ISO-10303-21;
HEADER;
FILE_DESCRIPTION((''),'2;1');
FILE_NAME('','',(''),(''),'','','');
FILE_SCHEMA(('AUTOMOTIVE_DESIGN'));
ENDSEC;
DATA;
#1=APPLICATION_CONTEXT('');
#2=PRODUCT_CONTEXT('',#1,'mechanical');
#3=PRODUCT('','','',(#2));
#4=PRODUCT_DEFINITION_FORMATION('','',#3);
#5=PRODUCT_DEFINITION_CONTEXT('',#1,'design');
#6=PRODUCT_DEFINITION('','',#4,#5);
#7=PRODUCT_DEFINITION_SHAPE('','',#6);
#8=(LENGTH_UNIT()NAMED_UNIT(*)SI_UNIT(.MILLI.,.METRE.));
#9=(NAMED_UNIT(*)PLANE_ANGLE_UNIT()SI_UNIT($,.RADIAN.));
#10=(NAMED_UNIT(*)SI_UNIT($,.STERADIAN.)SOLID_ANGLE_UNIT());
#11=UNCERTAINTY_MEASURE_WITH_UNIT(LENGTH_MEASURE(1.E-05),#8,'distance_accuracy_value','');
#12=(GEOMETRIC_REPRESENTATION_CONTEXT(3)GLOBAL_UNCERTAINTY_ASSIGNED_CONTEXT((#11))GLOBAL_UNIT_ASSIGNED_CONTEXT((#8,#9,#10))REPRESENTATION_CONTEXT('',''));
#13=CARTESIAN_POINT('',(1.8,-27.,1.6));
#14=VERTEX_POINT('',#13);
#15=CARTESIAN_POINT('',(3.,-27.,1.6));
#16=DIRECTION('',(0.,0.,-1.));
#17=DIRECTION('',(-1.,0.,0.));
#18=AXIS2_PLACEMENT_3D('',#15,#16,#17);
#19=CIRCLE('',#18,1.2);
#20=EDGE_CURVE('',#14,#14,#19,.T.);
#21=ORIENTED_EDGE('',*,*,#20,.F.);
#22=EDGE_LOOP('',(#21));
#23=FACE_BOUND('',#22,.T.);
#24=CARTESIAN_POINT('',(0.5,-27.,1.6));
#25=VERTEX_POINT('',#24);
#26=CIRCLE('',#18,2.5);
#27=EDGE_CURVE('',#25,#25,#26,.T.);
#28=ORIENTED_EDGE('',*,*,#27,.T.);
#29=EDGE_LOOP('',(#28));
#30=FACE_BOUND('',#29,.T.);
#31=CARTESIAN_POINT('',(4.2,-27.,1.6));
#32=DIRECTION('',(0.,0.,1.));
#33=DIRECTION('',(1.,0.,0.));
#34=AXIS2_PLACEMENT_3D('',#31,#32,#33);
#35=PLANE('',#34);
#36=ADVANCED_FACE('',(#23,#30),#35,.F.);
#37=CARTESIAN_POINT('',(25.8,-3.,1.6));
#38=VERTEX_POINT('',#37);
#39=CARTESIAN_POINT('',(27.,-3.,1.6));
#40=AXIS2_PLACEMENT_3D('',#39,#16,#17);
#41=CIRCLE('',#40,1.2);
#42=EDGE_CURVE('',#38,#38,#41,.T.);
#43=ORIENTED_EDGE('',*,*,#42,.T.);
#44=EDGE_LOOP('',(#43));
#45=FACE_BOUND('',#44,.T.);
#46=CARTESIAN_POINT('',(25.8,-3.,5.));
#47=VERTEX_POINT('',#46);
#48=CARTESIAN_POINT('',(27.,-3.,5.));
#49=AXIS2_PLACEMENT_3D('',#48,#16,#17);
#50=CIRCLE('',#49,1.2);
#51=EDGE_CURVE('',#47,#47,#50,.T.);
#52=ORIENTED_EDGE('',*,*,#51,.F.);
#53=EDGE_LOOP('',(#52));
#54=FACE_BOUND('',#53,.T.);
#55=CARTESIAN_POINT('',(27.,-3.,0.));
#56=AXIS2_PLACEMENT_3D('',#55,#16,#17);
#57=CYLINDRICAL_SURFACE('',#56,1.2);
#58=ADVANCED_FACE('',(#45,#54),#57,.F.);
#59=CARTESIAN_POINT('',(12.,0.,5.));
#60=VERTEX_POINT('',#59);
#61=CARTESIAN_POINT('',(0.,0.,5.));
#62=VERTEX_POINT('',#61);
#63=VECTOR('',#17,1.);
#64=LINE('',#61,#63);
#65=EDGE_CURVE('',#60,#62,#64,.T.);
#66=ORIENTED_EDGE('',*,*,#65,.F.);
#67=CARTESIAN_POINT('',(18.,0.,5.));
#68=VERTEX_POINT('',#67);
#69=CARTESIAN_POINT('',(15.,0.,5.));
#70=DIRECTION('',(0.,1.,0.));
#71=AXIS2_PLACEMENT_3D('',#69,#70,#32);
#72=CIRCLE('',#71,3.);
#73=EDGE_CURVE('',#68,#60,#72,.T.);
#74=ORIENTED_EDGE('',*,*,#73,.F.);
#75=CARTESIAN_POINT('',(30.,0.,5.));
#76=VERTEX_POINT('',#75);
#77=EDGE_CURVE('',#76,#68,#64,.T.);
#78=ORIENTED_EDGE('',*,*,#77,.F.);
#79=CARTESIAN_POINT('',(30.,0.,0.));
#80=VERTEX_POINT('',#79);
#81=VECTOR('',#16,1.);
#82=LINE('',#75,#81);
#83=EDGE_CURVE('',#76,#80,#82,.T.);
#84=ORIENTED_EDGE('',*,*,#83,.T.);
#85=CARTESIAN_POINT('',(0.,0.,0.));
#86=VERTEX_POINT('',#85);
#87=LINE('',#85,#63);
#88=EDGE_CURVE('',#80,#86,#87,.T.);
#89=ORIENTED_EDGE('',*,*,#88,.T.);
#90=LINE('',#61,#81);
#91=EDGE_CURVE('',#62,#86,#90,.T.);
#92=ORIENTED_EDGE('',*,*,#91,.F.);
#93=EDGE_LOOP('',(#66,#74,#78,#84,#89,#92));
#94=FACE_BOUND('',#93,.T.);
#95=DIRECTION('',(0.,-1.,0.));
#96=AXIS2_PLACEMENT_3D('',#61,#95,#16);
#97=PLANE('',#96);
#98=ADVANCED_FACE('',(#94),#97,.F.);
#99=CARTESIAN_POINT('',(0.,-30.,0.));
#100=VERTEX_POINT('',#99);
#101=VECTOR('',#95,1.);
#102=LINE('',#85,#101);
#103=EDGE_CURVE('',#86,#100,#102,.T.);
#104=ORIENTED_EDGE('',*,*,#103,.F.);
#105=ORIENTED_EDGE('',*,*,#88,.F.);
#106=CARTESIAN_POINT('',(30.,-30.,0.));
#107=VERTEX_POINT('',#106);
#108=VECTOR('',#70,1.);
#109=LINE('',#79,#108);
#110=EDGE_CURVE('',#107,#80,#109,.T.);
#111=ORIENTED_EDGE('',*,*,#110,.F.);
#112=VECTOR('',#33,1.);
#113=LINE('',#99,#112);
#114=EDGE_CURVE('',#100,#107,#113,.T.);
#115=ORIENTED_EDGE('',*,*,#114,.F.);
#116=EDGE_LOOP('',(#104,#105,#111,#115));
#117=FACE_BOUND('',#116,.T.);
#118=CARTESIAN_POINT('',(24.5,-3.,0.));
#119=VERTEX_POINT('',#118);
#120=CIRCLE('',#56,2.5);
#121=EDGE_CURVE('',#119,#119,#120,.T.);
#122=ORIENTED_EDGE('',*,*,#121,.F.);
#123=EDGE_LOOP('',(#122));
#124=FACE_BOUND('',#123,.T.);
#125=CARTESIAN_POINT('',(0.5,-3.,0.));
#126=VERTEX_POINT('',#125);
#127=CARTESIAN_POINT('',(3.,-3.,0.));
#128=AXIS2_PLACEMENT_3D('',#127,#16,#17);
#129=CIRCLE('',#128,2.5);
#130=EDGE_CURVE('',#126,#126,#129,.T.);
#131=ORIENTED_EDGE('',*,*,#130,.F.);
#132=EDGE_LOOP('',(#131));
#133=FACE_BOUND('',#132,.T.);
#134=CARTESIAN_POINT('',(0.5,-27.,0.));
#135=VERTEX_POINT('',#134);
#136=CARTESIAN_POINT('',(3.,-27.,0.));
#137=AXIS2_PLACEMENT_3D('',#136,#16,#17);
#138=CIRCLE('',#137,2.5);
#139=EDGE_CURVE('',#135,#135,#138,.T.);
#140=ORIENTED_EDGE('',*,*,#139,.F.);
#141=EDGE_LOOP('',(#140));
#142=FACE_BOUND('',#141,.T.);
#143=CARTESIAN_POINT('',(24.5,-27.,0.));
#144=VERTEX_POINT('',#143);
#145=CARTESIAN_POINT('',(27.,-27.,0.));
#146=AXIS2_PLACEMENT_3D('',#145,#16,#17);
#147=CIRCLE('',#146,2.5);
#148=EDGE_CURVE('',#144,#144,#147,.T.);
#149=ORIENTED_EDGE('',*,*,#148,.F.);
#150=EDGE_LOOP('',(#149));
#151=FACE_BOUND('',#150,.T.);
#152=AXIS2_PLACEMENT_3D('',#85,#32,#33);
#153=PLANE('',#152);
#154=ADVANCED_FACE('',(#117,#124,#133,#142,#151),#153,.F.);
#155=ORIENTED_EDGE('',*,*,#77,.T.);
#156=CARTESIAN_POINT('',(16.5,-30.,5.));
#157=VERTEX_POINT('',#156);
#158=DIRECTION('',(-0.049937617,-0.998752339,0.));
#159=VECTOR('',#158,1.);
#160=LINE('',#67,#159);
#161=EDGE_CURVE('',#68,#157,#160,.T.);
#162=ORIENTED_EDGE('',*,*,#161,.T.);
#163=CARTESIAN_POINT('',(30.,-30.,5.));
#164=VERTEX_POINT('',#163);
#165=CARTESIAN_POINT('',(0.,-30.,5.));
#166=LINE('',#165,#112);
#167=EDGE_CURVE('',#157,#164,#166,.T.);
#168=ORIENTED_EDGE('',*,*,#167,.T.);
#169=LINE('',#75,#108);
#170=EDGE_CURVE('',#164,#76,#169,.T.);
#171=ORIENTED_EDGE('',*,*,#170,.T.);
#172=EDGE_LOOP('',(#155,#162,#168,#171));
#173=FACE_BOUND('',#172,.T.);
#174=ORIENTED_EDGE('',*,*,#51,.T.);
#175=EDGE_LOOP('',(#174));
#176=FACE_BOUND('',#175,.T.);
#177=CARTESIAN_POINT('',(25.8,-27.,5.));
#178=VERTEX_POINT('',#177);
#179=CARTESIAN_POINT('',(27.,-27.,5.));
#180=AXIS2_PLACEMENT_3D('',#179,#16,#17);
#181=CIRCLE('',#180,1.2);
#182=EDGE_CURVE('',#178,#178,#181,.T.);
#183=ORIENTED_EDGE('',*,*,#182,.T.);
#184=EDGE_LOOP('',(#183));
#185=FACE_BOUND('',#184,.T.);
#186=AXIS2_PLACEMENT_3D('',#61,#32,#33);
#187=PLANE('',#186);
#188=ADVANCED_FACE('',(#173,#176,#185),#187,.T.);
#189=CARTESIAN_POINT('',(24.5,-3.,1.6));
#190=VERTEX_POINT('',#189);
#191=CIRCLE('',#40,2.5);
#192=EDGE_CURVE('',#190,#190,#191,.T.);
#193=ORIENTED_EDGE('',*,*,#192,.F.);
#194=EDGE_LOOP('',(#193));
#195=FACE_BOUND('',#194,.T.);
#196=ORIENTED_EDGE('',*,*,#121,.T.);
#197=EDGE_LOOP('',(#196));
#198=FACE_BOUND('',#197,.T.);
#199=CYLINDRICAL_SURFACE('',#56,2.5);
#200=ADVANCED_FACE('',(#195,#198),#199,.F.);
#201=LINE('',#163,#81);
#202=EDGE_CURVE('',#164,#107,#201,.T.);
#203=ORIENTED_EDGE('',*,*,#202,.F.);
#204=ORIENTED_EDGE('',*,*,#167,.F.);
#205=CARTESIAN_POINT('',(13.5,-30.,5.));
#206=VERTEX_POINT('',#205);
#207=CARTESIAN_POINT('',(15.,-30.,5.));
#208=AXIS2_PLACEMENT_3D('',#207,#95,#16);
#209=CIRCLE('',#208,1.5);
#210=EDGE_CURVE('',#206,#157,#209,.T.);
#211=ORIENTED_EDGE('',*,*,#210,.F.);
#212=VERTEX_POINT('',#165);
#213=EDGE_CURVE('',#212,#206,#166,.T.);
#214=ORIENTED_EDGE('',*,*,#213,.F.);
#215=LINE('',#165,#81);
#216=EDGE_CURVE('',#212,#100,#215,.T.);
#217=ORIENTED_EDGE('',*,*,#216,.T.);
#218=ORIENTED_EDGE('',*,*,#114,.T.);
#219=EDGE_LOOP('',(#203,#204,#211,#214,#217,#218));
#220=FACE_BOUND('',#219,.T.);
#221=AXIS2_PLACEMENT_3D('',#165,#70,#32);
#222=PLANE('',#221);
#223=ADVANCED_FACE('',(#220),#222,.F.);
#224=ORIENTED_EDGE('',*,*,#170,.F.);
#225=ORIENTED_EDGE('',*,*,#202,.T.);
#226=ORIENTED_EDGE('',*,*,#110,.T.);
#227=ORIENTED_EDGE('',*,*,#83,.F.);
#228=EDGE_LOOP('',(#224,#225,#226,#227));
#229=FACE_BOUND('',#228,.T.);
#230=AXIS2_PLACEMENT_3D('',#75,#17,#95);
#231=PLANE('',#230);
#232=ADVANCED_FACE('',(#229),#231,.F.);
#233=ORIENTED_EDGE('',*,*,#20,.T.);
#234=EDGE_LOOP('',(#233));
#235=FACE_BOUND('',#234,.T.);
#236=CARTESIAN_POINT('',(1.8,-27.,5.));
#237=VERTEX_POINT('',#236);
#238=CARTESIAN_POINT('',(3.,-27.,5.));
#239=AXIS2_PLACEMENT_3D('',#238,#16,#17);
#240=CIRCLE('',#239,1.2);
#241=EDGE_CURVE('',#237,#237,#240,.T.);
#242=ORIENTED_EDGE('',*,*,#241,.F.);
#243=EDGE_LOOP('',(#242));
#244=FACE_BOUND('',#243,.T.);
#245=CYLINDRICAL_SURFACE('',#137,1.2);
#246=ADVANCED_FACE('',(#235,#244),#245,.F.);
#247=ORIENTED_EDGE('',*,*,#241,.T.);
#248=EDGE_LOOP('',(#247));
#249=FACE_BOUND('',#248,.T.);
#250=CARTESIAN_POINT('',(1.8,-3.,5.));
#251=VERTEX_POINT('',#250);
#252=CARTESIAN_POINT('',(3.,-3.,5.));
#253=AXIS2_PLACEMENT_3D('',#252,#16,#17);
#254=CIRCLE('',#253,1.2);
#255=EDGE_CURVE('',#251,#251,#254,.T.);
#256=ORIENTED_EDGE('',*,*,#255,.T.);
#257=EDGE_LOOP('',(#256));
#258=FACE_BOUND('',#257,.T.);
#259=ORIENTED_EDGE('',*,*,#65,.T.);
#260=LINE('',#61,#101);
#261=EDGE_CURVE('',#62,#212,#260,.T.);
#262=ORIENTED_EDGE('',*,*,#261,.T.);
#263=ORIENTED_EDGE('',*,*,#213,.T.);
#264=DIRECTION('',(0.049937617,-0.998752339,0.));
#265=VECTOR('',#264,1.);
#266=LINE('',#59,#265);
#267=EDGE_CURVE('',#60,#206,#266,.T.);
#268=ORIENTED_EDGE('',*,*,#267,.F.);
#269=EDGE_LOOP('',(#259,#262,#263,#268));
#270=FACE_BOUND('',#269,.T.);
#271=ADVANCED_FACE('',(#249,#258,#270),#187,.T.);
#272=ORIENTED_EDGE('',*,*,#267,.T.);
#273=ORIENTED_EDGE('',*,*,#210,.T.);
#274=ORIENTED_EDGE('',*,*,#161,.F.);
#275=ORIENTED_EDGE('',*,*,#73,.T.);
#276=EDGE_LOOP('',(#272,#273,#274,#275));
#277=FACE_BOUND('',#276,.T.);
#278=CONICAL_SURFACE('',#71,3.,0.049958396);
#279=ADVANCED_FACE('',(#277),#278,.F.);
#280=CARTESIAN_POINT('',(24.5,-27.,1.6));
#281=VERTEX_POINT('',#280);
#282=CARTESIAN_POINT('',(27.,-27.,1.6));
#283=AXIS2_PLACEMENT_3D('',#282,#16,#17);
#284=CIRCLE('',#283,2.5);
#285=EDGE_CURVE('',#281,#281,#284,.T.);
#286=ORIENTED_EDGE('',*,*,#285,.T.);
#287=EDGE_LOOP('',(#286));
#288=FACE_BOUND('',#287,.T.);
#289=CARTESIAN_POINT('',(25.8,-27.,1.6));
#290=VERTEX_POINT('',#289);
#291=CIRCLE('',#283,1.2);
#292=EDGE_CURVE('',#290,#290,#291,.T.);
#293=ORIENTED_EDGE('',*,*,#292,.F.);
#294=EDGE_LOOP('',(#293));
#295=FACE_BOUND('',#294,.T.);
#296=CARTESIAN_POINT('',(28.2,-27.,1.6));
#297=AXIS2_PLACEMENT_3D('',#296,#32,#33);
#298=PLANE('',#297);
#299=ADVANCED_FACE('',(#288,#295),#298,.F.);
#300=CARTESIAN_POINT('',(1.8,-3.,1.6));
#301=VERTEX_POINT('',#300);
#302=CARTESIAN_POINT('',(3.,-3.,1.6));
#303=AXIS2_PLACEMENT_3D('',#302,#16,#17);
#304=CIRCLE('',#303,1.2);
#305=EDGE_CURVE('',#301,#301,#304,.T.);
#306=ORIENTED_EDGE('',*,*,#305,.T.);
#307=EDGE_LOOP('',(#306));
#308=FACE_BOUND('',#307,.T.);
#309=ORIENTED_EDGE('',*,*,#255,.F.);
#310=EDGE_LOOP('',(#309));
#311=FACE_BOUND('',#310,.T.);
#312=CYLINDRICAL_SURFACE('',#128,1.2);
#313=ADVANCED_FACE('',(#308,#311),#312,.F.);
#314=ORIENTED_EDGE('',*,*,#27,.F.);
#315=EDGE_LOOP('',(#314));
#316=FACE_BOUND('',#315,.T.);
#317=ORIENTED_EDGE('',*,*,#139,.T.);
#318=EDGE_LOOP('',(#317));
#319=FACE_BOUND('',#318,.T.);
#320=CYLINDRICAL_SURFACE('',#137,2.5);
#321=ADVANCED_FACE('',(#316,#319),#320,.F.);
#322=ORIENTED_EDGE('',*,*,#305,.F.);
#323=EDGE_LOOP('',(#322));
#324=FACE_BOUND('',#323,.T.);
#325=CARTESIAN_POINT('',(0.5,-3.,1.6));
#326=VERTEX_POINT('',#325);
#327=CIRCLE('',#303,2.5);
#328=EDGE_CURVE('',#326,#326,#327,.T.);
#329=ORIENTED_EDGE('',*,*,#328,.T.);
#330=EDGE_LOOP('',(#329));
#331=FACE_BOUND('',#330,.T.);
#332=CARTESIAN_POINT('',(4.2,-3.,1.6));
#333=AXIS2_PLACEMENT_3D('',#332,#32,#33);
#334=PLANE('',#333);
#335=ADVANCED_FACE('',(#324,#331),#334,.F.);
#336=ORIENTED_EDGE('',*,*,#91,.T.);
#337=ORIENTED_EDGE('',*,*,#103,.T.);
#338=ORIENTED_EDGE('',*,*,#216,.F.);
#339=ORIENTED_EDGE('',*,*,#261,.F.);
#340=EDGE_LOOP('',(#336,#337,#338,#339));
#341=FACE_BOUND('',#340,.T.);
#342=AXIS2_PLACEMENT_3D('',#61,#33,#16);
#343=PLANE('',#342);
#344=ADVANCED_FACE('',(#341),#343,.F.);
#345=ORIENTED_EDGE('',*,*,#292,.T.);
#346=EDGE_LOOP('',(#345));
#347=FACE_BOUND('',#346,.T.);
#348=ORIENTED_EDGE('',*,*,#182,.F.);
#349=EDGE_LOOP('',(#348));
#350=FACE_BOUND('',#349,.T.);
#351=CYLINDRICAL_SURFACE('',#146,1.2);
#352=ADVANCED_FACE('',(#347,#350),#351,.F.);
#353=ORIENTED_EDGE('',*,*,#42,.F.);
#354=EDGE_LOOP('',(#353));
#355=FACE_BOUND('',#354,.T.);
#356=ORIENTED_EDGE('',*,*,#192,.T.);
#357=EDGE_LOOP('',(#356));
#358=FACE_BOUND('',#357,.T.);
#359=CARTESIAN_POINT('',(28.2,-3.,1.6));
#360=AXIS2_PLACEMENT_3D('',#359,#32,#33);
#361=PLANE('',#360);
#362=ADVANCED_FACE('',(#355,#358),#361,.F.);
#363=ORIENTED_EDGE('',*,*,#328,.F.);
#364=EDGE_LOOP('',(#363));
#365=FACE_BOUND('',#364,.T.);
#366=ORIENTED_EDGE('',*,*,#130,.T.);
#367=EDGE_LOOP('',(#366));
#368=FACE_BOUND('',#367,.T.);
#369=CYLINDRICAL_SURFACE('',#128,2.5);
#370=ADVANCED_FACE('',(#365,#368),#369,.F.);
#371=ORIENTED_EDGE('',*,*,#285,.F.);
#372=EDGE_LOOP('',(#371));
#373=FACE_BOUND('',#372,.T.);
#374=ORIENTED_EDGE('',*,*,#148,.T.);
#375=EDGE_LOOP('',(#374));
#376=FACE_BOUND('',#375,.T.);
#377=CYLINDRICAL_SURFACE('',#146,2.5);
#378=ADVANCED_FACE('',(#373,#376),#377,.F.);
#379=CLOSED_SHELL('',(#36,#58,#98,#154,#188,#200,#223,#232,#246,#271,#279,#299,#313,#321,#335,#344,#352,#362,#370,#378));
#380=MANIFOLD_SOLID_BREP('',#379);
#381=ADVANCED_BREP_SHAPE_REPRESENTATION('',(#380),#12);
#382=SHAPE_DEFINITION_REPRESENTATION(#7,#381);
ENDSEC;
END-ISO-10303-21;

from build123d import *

# Parameters (mm, degrees)
SKETCH1_W                                        = 30
SKETCH1_H                                        = 30
BOSS_EXTRUDE1_DEPTH                              = 5
CBORE_FOR_M2_PAN_HEAD_MACHINE_SCREW1_D           = 2.4
CBORE_FOR_M2_PAN_HEAD_MACHINE_SCREW1_CBORE_D     = 5
CBORE_FOR_M2_PAN_HEAD_MACHINE_SCREW1_CBORE_DEPTH = 1.6


with BuildPart() as part:
    # Sketch1 → Boss-Extrude1 (new body)
    with BuildSketch(Plane.XY):
        with Locations((15, -15)):
            Rectangle(SKETCH1_W, SKETCH1_H)
    extrude(amount=BOSS_EXTRUDE1_DEPTH)

    # Sketch2 → Cut-Loft1 section 0
    with BuildSketch(Plane(origin=(0, 0, 0), x_dir=(1, 0, 0), z_dir=(0, 1, 0))):
        with BuildLine():
            Line((12, -5), (18, -5))
            ThreePointArc((18, -5), (15, -2), (12, -5))
        make_face()
    # Sketch3 → Cut-Loft1 section 1
    with BuildSketch(Plane.XZ.offset(30)):
        with BuildLine():
            Line((13.5, 5), (16.5, 5))
            ThreePointArc((16.5, 5), (15, 3.5), (13.5, 5))
        make_face()
    loft(mode=Mode.SUBTRACT)

    # CBORE for M2 Pan Head Machine Screw1 (through all)
    with Locations(Plane(origin=(0, 0, 0), x_dir=(-1, 0, 0), z_dir=(0, 0, -1))):
        with Locations((-27, -3), (-3, -3), (-3, -27), (-27, -27)):
            CounterBoreHole(CBORE_FOR_M2_PAN_HEAD_MACHINE_SCREW1_D / 2, CBORE_FOR_M2_PAN_HEAD_MACHINE_SCREW1_CBORE_D / 2, CBORE_FOR_M2_PAN_HEAD_MACHINE_SCREW1_CBORE_DEPTH)


solid = part.part
